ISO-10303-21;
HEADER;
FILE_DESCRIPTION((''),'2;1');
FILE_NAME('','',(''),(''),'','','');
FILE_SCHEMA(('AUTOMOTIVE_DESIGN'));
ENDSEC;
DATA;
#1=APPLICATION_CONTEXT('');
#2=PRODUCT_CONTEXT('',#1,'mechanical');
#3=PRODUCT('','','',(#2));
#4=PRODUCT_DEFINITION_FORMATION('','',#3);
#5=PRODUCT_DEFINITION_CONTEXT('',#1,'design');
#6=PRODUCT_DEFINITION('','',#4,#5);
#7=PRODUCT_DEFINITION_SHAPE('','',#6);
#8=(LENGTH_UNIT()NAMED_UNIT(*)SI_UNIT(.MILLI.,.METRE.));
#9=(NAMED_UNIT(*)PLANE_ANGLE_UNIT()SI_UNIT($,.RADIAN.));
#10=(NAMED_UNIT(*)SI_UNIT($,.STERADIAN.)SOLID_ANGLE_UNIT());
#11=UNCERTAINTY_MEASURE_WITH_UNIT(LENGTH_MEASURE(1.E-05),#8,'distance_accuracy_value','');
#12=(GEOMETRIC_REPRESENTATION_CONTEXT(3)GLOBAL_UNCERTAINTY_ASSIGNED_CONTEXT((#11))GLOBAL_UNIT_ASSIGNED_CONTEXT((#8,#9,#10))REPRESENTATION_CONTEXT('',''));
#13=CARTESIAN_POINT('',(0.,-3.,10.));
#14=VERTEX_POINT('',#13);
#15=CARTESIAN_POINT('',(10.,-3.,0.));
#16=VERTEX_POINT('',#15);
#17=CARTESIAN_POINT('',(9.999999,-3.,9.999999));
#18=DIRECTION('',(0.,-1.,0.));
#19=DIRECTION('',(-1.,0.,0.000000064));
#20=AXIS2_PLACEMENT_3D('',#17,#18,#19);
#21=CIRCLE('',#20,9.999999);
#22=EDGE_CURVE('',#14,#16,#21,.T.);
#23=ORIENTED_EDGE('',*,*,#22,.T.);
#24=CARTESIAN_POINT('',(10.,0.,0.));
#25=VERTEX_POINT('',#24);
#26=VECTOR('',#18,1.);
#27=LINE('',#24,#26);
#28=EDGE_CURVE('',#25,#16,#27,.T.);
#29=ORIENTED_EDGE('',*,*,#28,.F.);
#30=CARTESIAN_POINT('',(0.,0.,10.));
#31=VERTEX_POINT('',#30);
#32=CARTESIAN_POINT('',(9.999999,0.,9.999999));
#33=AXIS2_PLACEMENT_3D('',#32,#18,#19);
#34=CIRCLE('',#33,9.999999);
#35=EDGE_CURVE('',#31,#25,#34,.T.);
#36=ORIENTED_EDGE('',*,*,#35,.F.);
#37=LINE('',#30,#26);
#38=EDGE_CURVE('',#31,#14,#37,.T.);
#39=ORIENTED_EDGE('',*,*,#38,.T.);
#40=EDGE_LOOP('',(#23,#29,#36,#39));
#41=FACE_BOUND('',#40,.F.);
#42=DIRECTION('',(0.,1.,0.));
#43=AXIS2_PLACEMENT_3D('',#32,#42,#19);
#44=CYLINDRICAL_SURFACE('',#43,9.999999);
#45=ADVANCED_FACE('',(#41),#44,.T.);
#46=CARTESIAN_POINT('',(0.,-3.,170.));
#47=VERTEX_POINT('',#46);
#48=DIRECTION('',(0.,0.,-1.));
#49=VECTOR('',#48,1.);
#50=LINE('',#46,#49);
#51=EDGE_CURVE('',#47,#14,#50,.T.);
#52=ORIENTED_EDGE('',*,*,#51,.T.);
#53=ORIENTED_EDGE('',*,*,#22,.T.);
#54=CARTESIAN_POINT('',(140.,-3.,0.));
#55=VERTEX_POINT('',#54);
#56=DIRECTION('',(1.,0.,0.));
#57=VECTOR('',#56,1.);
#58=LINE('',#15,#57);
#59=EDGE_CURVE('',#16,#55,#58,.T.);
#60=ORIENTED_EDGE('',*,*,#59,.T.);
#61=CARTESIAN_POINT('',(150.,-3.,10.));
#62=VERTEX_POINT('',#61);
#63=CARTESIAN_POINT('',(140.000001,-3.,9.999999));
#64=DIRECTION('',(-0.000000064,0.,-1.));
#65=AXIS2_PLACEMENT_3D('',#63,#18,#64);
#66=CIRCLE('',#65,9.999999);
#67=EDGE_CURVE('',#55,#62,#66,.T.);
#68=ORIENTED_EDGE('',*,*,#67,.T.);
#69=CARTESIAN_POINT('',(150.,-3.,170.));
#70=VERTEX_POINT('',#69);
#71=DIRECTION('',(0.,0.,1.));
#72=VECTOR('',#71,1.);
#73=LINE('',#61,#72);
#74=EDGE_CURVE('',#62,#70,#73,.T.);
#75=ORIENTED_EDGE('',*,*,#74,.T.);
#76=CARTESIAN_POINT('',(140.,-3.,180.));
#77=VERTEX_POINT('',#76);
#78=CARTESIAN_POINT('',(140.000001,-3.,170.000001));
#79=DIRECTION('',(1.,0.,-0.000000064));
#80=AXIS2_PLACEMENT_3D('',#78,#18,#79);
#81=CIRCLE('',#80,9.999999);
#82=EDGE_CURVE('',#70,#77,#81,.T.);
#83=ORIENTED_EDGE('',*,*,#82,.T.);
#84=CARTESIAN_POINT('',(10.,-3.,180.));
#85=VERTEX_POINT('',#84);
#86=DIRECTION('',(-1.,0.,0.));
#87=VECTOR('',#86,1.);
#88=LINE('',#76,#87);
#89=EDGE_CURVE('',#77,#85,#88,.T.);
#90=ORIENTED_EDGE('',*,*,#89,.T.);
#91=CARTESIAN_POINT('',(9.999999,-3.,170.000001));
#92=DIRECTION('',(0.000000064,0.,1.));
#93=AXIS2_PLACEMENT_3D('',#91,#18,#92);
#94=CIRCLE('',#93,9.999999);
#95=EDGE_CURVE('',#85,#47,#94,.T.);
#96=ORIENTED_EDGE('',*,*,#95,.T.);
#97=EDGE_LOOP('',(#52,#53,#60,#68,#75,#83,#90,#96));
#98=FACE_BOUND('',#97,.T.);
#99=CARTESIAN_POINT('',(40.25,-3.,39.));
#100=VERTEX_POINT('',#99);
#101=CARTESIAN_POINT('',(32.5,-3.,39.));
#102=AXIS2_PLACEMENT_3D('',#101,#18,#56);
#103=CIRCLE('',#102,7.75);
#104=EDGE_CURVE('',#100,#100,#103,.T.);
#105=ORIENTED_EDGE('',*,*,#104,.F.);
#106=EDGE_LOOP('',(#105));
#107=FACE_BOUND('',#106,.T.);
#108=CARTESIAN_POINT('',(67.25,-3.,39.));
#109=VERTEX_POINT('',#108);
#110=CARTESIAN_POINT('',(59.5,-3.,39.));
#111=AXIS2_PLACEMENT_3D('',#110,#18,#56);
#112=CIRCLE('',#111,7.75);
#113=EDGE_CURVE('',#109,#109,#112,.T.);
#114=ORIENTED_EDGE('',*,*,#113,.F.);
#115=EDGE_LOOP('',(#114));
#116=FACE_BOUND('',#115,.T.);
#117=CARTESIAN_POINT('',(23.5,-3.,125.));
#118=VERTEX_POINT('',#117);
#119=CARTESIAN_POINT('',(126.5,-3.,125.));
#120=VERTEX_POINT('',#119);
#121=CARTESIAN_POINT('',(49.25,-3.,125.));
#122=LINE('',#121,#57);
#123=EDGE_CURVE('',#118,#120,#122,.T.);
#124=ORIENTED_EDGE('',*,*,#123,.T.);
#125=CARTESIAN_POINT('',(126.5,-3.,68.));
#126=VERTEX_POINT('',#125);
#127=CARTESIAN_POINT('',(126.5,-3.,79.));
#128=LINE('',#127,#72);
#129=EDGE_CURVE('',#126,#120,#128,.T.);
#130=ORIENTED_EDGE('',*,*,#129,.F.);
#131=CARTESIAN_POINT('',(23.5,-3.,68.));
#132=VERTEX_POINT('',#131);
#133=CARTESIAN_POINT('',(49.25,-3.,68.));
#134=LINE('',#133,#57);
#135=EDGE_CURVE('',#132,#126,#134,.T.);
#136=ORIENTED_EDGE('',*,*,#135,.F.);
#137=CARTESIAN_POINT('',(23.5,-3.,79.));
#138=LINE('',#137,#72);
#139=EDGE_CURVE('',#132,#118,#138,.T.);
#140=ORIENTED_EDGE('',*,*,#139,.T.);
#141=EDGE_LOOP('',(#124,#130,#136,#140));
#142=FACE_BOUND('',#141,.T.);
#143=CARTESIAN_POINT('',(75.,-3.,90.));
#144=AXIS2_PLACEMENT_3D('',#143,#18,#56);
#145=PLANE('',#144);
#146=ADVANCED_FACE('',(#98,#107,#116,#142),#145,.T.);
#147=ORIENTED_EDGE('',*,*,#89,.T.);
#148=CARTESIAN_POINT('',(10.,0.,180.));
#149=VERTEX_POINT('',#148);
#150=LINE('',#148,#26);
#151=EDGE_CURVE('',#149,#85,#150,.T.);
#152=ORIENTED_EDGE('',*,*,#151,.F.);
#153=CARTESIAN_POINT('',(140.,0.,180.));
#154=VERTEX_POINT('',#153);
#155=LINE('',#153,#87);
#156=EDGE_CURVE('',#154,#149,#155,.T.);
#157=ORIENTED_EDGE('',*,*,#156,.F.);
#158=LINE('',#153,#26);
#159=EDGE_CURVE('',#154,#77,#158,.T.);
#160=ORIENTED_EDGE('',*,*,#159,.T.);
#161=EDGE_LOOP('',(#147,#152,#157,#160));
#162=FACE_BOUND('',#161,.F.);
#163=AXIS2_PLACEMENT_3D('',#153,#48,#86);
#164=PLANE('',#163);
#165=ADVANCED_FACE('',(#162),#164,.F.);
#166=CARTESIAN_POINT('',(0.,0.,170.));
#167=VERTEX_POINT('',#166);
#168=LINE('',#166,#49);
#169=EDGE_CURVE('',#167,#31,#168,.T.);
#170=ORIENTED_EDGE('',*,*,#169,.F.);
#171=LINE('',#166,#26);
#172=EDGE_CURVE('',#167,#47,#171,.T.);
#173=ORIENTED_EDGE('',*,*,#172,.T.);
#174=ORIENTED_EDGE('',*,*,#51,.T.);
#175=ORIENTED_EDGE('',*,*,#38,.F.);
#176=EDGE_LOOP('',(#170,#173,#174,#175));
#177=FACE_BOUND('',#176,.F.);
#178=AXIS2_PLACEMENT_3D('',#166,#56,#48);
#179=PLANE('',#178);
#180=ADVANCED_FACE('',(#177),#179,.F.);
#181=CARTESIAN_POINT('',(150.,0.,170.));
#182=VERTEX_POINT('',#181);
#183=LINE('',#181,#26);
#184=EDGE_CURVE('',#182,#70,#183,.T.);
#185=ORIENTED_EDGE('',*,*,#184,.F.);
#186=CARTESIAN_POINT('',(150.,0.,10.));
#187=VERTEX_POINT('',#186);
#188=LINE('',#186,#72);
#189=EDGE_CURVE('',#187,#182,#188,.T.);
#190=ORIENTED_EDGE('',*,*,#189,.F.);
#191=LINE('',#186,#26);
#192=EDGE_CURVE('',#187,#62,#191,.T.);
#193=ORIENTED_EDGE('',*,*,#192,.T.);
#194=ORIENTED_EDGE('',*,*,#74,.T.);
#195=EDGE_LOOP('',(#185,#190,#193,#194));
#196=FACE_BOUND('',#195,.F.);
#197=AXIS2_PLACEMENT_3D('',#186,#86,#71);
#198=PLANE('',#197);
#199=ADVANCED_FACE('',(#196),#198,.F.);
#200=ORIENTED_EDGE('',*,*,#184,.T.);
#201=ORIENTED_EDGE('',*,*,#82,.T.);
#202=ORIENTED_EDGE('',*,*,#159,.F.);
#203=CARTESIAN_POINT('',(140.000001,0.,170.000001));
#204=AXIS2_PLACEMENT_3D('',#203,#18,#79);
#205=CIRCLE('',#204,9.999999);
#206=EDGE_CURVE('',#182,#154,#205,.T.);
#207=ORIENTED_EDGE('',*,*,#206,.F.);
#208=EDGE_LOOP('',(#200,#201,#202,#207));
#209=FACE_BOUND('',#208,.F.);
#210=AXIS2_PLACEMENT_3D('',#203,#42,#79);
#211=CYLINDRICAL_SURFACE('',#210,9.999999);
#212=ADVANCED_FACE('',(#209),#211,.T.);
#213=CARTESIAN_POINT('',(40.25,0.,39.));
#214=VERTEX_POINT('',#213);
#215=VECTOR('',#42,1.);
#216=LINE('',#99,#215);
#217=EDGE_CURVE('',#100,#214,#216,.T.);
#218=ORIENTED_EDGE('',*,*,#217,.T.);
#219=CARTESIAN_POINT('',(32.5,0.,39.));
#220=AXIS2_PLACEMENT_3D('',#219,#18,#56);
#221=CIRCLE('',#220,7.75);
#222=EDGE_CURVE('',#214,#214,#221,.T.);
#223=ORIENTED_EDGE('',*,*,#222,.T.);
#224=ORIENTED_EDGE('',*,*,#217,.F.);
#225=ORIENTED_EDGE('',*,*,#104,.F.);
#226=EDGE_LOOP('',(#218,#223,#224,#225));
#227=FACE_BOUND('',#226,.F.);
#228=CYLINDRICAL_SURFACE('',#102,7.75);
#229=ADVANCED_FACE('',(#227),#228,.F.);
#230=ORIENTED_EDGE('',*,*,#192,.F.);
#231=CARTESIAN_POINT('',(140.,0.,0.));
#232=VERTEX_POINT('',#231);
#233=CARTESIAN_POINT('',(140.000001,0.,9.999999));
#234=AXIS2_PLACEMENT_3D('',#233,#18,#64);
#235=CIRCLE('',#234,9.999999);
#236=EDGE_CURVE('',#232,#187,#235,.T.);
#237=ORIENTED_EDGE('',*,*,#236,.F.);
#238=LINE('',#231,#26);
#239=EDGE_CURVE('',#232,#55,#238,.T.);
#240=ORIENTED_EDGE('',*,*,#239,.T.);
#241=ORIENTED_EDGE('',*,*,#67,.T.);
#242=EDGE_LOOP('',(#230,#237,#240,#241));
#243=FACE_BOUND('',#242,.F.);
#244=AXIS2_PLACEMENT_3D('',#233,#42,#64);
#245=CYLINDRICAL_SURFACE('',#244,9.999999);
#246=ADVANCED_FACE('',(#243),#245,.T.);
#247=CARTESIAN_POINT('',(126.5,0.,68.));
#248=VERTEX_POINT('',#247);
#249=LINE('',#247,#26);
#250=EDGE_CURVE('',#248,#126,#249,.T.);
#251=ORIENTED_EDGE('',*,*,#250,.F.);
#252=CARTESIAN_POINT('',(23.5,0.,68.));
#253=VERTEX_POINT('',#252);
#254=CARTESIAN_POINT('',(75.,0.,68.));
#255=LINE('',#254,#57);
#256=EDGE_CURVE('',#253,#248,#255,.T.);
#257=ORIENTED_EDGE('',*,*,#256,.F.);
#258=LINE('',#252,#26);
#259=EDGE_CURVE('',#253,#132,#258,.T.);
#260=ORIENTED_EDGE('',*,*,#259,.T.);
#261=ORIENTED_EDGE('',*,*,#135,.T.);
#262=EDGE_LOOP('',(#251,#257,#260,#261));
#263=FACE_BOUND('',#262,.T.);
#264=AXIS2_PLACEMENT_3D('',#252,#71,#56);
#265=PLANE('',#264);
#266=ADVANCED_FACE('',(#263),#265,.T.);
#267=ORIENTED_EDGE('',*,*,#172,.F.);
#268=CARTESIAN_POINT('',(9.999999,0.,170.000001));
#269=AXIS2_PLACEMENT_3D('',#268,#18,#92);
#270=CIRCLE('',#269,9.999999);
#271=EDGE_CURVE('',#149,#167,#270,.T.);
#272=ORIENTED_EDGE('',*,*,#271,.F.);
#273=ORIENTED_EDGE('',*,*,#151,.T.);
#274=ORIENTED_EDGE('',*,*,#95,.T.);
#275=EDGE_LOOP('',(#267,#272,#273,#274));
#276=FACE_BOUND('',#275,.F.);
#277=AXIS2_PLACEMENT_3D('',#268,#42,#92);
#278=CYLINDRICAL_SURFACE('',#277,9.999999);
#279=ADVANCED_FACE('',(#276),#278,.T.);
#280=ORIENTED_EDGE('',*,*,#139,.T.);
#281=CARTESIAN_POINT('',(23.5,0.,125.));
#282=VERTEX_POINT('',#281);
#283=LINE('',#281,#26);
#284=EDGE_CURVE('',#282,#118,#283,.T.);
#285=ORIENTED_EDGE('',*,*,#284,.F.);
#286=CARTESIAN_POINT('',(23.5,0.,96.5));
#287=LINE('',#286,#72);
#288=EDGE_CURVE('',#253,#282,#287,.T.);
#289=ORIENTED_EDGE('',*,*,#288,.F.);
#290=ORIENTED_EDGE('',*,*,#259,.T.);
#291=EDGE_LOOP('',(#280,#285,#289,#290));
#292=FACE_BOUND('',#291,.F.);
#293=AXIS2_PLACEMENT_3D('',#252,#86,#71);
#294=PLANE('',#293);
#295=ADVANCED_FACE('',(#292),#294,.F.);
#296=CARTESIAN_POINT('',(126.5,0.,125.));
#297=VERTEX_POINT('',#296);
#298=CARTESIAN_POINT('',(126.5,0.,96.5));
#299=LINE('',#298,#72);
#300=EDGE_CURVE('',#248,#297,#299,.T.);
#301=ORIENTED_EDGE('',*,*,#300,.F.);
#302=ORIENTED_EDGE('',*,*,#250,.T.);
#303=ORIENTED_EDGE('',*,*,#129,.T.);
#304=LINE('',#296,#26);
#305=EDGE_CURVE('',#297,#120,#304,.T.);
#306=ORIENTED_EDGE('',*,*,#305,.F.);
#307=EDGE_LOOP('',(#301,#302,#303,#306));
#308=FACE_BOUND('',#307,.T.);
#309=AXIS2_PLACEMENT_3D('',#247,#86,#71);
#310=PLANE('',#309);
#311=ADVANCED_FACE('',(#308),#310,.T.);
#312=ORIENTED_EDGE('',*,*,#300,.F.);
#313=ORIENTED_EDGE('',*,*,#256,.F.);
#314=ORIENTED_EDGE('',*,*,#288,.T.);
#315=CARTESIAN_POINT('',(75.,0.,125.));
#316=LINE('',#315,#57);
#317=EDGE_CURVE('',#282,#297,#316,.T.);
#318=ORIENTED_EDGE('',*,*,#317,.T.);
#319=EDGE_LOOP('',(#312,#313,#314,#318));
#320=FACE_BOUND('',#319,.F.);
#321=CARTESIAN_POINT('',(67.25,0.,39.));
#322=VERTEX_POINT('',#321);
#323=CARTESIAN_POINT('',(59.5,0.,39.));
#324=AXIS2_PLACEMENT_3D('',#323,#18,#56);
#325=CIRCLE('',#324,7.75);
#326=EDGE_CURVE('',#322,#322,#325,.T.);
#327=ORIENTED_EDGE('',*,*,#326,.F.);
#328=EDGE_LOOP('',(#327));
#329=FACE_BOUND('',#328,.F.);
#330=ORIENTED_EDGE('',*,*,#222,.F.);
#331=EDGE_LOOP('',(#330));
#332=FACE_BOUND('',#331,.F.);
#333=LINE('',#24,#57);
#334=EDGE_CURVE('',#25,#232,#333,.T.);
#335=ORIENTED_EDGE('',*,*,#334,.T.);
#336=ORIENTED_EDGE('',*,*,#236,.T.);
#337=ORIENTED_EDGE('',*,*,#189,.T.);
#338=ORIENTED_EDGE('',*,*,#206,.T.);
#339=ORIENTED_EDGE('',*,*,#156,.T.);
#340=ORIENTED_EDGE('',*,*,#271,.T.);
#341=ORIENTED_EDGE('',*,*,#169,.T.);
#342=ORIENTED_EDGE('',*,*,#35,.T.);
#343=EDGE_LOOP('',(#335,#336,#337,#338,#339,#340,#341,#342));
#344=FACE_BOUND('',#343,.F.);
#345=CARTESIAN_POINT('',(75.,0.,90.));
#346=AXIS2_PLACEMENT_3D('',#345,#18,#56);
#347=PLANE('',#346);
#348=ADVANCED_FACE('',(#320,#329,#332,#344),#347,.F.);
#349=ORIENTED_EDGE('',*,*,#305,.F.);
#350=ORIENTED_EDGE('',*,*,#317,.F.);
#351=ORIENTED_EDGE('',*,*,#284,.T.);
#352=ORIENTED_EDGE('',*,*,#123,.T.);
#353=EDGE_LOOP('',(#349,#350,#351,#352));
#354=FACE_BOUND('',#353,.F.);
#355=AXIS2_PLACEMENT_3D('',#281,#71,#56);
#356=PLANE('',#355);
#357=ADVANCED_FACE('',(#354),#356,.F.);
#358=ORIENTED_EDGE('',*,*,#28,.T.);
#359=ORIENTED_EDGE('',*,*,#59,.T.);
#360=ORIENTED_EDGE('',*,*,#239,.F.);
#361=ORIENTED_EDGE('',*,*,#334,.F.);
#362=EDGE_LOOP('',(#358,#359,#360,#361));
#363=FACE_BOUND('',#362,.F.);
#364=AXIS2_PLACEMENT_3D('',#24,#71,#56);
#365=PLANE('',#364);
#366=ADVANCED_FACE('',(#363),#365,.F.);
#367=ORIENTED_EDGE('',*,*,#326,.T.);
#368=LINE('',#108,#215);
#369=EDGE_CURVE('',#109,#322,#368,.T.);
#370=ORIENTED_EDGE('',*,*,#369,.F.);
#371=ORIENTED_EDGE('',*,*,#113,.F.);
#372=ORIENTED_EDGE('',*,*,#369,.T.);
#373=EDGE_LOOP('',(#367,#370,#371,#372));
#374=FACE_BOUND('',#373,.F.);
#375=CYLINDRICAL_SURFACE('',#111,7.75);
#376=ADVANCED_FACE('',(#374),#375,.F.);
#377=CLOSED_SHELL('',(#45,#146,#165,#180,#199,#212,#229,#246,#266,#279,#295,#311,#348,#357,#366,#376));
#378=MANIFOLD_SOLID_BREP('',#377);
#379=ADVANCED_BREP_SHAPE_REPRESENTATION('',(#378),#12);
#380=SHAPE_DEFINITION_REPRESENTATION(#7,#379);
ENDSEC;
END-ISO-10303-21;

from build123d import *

# Parameters (mm, degrees)
F1_DEPTH = 3
F2_W     = 103
F2_H     = 57
F3_DEPTH = 3.001
F4_R     = 7.75
F5_DEPTH = 25


with BuildPart() as f1:
    # F0 (on Front) → F1 (new body)
    with BuildSketch(Plane.XZ):
        with BuildLine():
            ThreePointArc((0, 10), (2.928932, 2.928932), (10, 0))
            Line((10, 0), (140, 0))
            ThreePointArc((140, 0), (147.071068, 2.928932), (150, 10))
            Line((150, 10), (150, 170))
            ThreePointArc((150, 170), (147.071068, 177.071068), (140, 180))
            Line((140, 180), (10, 180))
            ThreePointArc((10, 180), (2.928932, 177.071068), (0, 170))
            Line((0, 170), (0, 10))
        make_face()
    extrude(amount=F1_DEPTH)

    # F2 (on face) + F1_face (on face) → F3 (cut, through all)
    with BuildSketch(Plane.XZ):
        with Locations((75, 96.5)):
            Rectangle(F2_W, F2_H)
    with BuildSketch(Plane(origin=(75, -3, 90), x_dir=(1, 0, 0), z_dir=(0, -1, 0))):
        with BuildLine():
            Line((-75, 80), (-75, -80))
            ThreePointArc((-75, -80), (-72.071068, -87.071068), (-65, -90))
            Line((-65, -90), (65, -90))
            ThreePointArc((65, -90), (72.071068, -87.071068), (75, -80))
            Line((75, -80), (75, 80))
            ThreePointArc((75, 80), (72.071068, 87.071068), (65, 90))
            Line((65, 90), (-65, 90))
            ThreePointArc((-65, 90), (-72.071068, 87.071068), (-75, 80))
        make_face()
    extrude(amount=F3_DEPTH, mode=Mode.SUBTRACT)

    # F4 (on face) → F5 (cut)
    with BuildSketch(Plane.XZ.offset(3)):
        with Locations((32.5, 39)):
            Circle(F4_R)
        with Locations((59.5, 39)):
            Circle(F4_R)
    extrude(amount=-F5_DEPTH, mode=Mode.SUBTRACT)


solid = f1.part
